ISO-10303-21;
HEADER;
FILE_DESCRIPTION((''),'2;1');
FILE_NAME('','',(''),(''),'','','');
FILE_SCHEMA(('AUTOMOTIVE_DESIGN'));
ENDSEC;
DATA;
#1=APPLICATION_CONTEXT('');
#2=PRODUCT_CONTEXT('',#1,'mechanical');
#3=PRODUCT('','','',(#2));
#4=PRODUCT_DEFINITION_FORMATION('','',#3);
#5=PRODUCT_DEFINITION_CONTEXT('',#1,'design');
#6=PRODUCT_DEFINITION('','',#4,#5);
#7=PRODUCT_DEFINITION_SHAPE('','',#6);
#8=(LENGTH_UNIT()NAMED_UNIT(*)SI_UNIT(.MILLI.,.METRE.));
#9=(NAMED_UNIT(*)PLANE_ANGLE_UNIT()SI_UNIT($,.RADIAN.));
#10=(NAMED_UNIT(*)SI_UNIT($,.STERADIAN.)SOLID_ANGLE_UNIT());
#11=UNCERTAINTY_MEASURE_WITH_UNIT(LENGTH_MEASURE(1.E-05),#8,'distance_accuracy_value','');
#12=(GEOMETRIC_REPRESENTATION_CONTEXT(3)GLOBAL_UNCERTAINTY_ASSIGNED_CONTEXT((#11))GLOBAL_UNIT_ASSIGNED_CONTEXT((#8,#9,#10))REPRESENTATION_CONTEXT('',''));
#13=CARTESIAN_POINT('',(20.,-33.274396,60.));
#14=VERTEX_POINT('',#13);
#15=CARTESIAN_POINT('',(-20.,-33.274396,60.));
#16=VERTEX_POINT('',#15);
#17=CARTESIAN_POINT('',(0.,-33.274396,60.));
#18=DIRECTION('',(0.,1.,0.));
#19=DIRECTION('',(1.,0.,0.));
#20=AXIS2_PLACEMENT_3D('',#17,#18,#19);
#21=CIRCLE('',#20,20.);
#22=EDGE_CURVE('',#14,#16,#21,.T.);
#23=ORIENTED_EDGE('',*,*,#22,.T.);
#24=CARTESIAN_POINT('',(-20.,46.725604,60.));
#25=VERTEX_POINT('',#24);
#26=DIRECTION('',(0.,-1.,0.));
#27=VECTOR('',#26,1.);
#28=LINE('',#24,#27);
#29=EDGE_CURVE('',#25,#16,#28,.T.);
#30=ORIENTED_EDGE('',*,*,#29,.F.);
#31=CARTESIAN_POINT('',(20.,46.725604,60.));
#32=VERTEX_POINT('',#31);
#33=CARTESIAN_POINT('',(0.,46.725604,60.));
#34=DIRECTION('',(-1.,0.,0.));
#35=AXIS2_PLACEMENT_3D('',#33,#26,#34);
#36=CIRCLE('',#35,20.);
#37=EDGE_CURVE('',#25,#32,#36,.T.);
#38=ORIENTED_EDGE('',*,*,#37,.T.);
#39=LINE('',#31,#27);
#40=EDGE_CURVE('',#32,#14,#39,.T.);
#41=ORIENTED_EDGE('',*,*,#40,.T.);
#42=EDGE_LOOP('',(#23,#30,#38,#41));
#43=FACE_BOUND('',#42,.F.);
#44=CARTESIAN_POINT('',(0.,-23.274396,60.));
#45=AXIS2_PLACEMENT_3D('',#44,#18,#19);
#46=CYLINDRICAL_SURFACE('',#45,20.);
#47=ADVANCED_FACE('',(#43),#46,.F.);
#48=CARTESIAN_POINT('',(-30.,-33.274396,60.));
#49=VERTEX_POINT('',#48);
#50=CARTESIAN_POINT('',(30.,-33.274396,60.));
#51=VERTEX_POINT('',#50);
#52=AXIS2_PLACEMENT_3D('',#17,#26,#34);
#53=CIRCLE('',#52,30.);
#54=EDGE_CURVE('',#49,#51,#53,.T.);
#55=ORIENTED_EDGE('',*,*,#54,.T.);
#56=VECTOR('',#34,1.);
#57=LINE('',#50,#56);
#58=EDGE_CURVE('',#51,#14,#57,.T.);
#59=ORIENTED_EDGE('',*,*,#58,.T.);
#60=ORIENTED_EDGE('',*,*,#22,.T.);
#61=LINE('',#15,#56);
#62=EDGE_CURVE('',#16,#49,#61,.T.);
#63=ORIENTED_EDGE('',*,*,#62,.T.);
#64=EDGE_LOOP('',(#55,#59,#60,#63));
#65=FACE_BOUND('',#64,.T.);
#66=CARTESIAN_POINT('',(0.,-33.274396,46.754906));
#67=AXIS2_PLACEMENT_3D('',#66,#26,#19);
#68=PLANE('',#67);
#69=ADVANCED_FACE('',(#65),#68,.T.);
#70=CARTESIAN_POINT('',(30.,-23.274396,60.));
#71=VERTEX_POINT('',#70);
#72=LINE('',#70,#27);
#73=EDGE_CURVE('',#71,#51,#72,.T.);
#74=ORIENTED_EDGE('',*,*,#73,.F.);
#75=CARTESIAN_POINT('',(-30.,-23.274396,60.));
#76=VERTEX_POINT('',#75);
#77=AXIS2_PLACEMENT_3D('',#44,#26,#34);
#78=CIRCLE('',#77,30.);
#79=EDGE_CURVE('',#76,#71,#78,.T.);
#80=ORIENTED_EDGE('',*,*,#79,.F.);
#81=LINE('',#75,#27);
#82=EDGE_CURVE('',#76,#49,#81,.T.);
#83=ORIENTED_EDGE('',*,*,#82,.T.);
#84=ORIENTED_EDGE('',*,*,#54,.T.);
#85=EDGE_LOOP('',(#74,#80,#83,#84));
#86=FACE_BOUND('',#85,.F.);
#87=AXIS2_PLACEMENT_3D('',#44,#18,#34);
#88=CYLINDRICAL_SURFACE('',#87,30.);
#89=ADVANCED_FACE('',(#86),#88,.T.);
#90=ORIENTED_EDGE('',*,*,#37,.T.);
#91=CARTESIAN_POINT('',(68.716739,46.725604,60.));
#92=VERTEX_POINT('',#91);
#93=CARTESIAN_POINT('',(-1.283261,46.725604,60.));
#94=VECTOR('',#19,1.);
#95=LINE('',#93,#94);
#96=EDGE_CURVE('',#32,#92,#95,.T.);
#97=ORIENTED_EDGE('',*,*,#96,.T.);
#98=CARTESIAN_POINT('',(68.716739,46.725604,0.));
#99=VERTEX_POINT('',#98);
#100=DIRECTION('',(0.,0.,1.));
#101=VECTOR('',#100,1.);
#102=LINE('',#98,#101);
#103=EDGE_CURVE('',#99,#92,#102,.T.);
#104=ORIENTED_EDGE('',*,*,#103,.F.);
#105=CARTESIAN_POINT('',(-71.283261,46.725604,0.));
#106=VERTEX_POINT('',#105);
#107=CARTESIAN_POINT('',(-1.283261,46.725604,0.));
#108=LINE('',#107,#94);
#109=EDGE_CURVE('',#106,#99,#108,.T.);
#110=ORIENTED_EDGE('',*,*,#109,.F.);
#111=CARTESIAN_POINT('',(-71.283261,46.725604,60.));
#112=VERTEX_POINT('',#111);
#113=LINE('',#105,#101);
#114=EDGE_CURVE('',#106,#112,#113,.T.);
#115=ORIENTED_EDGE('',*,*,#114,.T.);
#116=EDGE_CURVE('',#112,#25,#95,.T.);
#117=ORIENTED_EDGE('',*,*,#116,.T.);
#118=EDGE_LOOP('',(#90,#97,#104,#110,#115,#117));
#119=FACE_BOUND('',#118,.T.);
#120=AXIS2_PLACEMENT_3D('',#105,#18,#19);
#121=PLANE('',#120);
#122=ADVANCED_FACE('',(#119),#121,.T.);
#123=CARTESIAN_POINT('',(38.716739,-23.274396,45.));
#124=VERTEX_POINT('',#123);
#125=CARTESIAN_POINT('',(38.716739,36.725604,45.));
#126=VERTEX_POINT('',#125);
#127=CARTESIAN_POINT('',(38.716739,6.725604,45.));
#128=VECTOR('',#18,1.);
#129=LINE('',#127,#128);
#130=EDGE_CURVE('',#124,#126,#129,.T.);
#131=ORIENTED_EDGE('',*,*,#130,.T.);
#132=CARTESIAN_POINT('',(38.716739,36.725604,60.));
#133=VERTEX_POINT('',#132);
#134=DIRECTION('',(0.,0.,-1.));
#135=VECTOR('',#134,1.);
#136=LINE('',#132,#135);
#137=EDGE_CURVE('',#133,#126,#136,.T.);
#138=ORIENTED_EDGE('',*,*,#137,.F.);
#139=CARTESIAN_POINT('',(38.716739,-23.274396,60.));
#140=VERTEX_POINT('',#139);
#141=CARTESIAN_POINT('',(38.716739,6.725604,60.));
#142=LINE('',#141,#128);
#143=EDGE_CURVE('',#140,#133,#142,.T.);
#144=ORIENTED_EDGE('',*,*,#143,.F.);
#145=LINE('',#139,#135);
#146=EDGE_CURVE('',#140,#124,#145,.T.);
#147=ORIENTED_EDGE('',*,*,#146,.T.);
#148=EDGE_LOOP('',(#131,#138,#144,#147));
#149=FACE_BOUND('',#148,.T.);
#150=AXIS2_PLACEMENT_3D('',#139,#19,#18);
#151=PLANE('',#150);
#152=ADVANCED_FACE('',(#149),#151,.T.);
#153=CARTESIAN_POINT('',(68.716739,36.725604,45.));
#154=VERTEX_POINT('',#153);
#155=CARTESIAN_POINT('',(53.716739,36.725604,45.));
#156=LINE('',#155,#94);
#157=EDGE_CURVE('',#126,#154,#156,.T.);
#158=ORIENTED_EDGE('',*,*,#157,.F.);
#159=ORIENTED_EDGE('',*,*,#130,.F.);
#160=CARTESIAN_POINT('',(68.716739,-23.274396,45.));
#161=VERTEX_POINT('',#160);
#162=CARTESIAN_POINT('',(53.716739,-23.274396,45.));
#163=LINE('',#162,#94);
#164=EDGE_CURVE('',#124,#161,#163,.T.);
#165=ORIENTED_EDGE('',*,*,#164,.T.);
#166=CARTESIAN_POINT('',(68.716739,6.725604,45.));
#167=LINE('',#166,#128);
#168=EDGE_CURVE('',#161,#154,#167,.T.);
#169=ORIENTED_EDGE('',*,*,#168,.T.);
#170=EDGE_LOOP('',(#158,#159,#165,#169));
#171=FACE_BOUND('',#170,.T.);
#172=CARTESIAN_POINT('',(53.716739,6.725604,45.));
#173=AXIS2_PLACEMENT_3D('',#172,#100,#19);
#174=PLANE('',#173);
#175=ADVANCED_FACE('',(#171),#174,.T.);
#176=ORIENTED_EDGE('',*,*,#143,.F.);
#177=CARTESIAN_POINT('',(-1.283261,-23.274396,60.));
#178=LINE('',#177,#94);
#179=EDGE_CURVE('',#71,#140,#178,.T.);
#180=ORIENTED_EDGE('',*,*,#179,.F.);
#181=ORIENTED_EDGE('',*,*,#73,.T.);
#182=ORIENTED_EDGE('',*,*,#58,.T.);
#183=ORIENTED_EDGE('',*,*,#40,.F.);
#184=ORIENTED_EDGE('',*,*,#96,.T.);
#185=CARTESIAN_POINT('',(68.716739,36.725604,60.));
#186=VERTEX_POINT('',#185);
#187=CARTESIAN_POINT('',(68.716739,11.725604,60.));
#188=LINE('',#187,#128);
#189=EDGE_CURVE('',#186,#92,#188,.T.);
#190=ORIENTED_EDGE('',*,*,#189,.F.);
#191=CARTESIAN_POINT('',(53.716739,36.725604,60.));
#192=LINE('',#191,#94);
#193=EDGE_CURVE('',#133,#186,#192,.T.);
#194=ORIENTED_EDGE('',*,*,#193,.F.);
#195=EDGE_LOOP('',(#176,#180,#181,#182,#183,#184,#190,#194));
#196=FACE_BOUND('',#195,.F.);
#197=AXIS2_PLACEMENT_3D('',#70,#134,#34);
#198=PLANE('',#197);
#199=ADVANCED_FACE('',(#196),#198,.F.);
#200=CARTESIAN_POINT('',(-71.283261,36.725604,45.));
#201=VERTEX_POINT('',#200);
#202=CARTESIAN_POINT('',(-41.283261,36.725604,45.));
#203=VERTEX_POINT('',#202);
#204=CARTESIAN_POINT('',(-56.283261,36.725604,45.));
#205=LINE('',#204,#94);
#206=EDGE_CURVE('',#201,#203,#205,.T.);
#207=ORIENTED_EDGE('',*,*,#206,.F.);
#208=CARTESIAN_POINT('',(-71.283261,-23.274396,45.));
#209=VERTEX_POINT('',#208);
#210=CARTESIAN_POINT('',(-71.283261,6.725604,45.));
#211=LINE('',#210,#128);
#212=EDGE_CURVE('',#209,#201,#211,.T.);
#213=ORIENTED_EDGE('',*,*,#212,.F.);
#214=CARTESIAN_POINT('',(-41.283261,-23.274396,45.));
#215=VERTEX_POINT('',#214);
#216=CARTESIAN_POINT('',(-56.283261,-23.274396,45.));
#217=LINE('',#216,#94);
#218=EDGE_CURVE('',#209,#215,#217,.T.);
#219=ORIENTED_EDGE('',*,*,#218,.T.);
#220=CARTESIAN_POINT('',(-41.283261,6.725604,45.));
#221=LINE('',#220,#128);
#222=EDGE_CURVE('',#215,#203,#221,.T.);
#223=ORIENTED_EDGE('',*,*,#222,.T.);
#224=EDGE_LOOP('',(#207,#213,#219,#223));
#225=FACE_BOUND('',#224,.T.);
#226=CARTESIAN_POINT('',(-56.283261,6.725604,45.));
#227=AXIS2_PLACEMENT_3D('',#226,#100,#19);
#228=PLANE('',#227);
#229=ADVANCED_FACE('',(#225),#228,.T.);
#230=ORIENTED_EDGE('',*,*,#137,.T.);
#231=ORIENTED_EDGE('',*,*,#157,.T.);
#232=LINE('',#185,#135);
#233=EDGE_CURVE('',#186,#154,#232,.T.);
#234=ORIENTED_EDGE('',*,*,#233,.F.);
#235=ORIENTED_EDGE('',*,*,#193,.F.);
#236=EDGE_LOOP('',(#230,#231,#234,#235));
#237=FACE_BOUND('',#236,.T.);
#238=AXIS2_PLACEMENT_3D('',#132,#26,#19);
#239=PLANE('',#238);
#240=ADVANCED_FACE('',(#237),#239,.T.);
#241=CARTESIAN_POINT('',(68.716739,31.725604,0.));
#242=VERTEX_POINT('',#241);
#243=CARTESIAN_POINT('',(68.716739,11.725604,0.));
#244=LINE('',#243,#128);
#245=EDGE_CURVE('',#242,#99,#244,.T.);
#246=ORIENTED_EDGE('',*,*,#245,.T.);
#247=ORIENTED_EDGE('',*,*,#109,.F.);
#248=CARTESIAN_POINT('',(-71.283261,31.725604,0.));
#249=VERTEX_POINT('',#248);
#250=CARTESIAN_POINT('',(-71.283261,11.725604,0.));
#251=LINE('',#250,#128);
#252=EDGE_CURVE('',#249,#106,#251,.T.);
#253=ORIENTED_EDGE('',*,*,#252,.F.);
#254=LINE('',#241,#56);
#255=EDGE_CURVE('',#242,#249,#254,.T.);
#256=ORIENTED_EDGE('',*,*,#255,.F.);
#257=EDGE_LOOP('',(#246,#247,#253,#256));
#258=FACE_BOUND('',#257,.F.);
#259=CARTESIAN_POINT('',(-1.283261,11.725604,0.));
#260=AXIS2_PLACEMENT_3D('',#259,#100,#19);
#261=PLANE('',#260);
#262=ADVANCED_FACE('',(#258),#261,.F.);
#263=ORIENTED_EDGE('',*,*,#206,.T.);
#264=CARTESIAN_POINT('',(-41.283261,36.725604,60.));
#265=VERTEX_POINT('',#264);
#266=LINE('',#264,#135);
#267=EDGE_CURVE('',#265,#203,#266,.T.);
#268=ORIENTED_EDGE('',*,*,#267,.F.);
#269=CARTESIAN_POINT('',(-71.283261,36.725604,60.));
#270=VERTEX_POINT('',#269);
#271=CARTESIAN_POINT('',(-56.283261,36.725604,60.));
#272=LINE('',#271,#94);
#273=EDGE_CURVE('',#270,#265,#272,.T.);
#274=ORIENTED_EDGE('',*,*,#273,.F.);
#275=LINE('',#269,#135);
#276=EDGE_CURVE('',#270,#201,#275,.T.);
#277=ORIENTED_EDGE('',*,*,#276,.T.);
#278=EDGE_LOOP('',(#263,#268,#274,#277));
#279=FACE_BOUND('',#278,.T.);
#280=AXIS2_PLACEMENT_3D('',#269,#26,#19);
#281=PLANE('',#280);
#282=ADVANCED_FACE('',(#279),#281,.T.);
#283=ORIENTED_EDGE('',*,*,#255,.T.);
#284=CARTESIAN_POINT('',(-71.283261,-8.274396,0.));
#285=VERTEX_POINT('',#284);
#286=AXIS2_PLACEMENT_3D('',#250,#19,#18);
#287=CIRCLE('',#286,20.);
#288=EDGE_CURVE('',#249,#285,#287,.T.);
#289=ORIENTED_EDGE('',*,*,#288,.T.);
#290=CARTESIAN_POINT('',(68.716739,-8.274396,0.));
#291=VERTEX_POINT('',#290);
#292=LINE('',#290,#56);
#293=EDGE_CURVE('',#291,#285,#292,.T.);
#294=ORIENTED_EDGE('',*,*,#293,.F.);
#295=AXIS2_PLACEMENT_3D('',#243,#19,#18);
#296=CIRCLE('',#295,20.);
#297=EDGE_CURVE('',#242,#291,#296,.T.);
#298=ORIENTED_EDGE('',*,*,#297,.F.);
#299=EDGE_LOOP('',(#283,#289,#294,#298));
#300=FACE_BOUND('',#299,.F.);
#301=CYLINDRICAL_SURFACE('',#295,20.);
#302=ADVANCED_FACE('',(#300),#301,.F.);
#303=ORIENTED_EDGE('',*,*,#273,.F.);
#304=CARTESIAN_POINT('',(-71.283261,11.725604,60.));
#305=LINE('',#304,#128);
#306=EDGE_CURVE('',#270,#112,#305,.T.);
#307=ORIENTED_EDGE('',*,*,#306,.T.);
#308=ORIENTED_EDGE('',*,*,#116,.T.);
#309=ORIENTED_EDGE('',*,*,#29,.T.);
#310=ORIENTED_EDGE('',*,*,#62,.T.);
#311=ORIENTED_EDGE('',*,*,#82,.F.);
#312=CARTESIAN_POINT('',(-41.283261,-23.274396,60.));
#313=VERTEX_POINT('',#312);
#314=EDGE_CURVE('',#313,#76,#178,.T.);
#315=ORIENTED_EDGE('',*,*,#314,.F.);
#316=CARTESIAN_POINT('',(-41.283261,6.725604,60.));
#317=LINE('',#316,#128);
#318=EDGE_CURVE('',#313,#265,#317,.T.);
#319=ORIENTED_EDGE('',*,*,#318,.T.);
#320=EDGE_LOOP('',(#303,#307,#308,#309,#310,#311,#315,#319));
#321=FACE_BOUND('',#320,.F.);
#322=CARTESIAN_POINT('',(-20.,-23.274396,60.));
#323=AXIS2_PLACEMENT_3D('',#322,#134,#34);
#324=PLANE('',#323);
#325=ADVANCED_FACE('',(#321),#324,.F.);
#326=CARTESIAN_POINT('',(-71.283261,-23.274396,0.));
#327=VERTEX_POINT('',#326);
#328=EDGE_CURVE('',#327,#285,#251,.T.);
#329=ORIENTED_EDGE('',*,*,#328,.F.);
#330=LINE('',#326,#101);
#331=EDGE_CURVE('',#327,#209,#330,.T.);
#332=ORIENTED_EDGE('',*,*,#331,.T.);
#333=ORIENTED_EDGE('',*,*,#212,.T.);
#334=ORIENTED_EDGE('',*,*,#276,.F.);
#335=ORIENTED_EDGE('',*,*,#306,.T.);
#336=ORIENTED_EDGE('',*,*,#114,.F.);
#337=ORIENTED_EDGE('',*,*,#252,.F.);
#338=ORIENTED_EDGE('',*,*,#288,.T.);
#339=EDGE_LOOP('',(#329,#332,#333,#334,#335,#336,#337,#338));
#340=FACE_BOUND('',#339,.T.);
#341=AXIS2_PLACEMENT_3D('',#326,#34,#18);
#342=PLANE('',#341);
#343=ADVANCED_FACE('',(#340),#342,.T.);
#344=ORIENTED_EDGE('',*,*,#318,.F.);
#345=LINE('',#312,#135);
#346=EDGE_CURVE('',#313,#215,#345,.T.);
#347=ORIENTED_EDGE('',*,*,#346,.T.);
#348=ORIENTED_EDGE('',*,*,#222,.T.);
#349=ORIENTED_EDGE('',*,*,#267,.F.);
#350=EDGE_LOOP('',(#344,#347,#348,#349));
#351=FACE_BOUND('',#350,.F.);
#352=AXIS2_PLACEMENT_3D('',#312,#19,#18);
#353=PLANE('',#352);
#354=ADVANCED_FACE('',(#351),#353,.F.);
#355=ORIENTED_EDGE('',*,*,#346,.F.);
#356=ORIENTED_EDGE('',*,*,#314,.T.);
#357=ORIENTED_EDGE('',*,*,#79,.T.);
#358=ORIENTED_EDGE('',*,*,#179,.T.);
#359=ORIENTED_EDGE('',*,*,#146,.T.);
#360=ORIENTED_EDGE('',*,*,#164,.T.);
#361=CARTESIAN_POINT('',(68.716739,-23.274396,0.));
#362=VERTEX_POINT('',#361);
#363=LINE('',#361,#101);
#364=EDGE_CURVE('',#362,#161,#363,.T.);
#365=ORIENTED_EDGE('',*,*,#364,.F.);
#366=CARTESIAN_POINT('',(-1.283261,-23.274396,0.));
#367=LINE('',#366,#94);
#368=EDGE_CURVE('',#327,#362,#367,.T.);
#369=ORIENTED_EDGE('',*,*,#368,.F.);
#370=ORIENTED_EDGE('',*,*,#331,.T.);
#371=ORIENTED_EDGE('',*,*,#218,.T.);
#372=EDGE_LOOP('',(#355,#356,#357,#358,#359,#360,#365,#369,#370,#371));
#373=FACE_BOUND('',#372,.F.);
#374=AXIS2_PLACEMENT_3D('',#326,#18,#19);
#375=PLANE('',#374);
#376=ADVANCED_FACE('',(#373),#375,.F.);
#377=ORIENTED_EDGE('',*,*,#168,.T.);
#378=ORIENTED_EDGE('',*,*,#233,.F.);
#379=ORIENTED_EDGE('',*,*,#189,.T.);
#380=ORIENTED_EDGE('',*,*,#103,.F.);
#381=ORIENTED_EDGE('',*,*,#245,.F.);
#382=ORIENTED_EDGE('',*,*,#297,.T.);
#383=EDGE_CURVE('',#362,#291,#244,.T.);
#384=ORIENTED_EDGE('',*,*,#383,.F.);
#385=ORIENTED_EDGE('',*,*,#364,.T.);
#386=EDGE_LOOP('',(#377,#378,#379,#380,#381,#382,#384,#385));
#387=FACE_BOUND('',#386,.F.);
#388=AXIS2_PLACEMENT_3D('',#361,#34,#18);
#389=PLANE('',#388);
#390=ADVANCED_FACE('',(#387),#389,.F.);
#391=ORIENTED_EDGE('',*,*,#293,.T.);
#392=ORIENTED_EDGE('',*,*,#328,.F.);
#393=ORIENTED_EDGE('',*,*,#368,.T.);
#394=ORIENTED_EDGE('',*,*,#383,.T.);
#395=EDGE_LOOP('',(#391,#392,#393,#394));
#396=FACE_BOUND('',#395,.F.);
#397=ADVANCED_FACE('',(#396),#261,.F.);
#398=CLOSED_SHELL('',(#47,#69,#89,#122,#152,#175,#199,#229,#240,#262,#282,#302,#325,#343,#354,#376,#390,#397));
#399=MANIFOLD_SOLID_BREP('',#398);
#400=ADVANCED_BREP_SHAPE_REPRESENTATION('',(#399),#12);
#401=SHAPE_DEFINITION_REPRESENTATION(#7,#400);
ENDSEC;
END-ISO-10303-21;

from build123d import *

# Parameters (mm, degrees)
F0_W      = 140
F0_H      = 70
F1_DEPTH  = 60
F3_DEPTH  = 140
F5_DEPTH  = 70
F6_DEPTH  = 10
F7_W      = 30
F7_H      = 60
F8_DEPTH  = 15
F9_W      = 30
F9_H      = 60
F10_DEPTH = 15


with BuildPart() as f1:
    # F0 (on Top) → F1 (new body)
    with BuildSketch(Plane.XY):
        with Locations((-1.2832614383, 11.7256036028)):
            Rectangle(F0_W, F0_H)
    extrude(amount=F1_DEPTH)

    # F2 (on face) → F3 (cut)
    with BuildSketch(Plane.YZ.offset(68.7167385617)):
        with BuildLine():
            Line((-8.2743963972, 0), (31.7256036028, 0))
            ThreePointArc((31.7256036028, 0), (11.7256036028, 20), (-8.2743963972, 0))
        make_face()
    extrude(amount=-F3_DEPTH, mode=Mode.SUBTRACT)

    # F4 (on face) → F5 (cut)
    with BuildSketch(Plane.XZ.offset(23.2743963972)):
        with BuildLine():
            ThreePointArc((-20, 60), (0, 40), (20, 60))
            Line((20, 60), (-20, 60))
        make_face()
    extrude(amount=-F5_DEPTH, mode=Mode.SUBTRACT)

    # F4 (on face) → F6 (join)
    with BuildSketch(Plane.XZ.offset(23.2743963972)):
        with BuildLine():
            Line((30, 60), (20, 60))
            ThreePointArc((20, 60), (0, 40), (-20, 60))
            Line((-20, 60), (-30, 60))
            ThreePointArc((-30, 60), (0, 30), (30, 60))
        make_face()
    extrude(amount=F6_DEPTH)

    # F7 (on face) → F8 (cut)
    with BuildSketch(Plane.XY.offset(60)):
        with Locations((-56.2832614383, 6.7256036028)):
            Rectangle(F7_W, F7_H)
    extrude(amount=-F8_DEPTH, mode=Mode.SUBTRACT)

    # F9 (on face) → F10 (cut)
    with BuildSketch(Plane.XY.offset(60)):
        with Locations((53.7167385617, 6.7256036028)):
            Rectangle(F9_W, F9_H)
    extrude(amount=-F10_DEPTH, mode=Mode.SUBTRACT)


solid = f1.part
